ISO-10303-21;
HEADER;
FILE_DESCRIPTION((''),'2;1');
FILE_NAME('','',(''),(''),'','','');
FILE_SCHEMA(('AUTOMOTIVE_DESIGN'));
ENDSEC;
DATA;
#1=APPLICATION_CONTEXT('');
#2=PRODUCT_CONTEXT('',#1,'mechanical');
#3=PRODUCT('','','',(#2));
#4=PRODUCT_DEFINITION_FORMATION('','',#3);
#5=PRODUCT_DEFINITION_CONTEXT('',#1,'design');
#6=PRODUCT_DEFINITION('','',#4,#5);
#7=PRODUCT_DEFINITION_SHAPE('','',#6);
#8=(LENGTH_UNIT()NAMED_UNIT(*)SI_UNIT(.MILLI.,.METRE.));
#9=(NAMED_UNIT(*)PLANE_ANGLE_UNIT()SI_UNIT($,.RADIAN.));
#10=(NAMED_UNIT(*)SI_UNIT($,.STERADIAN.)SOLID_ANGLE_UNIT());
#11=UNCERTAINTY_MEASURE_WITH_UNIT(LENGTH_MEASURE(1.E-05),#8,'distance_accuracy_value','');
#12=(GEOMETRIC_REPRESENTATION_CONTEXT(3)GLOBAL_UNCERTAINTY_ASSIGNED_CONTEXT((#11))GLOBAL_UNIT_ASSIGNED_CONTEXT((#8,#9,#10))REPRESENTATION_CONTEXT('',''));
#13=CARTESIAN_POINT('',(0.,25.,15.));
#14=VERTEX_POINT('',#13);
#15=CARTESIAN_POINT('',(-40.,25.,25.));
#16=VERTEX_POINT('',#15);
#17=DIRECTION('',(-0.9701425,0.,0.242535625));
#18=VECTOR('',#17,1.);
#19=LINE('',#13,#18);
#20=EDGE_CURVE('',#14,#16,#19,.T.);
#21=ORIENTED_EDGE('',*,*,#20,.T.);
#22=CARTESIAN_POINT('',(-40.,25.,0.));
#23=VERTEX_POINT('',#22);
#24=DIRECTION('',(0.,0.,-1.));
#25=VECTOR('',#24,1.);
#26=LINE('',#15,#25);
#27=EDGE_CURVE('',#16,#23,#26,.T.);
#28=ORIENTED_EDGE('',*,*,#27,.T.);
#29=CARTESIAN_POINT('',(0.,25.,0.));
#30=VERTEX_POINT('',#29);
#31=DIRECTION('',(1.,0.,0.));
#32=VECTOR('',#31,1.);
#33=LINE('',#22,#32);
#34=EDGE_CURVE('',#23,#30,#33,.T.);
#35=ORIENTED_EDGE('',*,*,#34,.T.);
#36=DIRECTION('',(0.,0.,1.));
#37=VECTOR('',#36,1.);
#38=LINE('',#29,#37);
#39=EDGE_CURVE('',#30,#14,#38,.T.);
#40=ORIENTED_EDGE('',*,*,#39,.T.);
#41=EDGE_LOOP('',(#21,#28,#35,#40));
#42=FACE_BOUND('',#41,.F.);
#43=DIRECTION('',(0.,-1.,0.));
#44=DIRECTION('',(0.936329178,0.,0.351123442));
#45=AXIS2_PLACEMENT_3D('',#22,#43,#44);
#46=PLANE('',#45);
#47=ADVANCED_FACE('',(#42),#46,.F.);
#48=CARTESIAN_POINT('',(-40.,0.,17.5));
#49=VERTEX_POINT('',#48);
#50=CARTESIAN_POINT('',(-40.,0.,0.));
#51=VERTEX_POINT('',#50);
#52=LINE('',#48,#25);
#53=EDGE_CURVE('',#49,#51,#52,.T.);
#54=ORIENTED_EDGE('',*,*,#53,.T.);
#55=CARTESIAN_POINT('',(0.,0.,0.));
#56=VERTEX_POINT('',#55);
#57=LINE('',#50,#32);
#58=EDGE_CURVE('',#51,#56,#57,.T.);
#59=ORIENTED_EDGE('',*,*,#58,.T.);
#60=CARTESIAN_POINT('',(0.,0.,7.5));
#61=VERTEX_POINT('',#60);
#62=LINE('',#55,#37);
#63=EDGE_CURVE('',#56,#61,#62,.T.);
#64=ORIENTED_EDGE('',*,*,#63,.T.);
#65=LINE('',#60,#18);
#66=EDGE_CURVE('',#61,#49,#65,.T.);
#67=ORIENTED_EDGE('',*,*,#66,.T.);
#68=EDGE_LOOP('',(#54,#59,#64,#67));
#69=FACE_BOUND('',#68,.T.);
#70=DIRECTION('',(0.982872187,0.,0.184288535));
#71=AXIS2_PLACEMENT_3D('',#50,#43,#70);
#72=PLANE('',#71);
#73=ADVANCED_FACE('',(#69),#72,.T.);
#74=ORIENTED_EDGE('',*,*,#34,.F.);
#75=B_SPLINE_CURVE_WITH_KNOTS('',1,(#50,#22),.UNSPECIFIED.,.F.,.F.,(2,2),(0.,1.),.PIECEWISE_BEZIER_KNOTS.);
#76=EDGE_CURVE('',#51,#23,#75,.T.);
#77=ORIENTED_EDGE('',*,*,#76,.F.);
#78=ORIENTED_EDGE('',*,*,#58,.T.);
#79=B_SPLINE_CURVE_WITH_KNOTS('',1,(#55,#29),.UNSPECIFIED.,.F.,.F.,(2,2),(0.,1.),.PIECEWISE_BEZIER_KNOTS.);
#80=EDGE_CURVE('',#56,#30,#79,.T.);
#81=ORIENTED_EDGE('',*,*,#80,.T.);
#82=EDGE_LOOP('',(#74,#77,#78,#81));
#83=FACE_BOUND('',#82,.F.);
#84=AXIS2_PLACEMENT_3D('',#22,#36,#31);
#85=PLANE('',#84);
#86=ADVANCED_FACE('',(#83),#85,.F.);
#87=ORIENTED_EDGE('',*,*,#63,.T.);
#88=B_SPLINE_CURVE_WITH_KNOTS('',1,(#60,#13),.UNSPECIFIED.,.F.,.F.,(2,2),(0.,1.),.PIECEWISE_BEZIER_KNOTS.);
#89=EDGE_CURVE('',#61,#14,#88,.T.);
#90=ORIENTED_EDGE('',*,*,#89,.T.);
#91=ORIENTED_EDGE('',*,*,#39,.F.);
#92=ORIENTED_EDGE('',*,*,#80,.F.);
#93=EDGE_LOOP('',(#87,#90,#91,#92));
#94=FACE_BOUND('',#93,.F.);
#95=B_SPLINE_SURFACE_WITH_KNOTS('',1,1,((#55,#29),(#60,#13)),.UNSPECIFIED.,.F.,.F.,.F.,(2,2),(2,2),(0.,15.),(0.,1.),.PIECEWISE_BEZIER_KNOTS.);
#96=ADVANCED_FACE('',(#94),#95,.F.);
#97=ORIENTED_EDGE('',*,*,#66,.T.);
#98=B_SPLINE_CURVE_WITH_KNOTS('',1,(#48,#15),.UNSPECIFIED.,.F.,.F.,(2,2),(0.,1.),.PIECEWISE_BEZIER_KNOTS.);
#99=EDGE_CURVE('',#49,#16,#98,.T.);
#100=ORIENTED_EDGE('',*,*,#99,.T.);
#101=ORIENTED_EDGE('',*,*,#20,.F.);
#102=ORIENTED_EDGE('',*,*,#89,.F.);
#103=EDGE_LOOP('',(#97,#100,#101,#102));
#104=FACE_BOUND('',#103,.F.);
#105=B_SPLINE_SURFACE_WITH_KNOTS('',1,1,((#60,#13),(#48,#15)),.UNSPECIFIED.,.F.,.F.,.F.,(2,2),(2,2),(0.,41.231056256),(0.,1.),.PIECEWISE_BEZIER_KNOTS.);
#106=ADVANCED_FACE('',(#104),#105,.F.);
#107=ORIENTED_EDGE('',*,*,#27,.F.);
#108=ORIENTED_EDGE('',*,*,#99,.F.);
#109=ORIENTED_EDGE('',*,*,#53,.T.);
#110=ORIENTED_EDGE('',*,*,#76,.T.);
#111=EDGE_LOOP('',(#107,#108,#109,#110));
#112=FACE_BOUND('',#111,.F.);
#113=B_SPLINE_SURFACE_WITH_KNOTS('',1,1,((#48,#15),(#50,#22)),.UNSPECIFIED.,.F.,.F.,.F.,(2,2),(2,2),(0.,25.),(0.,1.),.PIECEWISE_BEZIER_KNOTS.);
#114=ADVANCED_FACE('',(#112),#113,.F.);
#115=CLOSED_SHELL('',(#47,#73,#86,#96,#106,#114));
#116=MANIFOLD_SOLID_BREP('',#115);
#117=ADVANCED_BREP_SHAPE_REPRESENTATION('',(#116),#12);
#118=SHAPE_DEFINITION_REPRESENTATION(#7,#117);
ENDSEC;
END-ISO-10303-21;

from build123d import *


with BuildPart() as f3:
    # F0 (on Front) → F3 section 0
    with BuildSketch(Plane.XZ):
        Polygon((-40, 0), (0, 0), (0, 7.5), (-40, 17.5), align=None)
    # F2 (on offset) → F3 section 1
    with BuildSketch(Plane.XZ.offset(-25)):
        Polygon((-40, 0), (0, 0), (0, 15), (-40, 25), align=None)
    loft()


solid = f3.part
